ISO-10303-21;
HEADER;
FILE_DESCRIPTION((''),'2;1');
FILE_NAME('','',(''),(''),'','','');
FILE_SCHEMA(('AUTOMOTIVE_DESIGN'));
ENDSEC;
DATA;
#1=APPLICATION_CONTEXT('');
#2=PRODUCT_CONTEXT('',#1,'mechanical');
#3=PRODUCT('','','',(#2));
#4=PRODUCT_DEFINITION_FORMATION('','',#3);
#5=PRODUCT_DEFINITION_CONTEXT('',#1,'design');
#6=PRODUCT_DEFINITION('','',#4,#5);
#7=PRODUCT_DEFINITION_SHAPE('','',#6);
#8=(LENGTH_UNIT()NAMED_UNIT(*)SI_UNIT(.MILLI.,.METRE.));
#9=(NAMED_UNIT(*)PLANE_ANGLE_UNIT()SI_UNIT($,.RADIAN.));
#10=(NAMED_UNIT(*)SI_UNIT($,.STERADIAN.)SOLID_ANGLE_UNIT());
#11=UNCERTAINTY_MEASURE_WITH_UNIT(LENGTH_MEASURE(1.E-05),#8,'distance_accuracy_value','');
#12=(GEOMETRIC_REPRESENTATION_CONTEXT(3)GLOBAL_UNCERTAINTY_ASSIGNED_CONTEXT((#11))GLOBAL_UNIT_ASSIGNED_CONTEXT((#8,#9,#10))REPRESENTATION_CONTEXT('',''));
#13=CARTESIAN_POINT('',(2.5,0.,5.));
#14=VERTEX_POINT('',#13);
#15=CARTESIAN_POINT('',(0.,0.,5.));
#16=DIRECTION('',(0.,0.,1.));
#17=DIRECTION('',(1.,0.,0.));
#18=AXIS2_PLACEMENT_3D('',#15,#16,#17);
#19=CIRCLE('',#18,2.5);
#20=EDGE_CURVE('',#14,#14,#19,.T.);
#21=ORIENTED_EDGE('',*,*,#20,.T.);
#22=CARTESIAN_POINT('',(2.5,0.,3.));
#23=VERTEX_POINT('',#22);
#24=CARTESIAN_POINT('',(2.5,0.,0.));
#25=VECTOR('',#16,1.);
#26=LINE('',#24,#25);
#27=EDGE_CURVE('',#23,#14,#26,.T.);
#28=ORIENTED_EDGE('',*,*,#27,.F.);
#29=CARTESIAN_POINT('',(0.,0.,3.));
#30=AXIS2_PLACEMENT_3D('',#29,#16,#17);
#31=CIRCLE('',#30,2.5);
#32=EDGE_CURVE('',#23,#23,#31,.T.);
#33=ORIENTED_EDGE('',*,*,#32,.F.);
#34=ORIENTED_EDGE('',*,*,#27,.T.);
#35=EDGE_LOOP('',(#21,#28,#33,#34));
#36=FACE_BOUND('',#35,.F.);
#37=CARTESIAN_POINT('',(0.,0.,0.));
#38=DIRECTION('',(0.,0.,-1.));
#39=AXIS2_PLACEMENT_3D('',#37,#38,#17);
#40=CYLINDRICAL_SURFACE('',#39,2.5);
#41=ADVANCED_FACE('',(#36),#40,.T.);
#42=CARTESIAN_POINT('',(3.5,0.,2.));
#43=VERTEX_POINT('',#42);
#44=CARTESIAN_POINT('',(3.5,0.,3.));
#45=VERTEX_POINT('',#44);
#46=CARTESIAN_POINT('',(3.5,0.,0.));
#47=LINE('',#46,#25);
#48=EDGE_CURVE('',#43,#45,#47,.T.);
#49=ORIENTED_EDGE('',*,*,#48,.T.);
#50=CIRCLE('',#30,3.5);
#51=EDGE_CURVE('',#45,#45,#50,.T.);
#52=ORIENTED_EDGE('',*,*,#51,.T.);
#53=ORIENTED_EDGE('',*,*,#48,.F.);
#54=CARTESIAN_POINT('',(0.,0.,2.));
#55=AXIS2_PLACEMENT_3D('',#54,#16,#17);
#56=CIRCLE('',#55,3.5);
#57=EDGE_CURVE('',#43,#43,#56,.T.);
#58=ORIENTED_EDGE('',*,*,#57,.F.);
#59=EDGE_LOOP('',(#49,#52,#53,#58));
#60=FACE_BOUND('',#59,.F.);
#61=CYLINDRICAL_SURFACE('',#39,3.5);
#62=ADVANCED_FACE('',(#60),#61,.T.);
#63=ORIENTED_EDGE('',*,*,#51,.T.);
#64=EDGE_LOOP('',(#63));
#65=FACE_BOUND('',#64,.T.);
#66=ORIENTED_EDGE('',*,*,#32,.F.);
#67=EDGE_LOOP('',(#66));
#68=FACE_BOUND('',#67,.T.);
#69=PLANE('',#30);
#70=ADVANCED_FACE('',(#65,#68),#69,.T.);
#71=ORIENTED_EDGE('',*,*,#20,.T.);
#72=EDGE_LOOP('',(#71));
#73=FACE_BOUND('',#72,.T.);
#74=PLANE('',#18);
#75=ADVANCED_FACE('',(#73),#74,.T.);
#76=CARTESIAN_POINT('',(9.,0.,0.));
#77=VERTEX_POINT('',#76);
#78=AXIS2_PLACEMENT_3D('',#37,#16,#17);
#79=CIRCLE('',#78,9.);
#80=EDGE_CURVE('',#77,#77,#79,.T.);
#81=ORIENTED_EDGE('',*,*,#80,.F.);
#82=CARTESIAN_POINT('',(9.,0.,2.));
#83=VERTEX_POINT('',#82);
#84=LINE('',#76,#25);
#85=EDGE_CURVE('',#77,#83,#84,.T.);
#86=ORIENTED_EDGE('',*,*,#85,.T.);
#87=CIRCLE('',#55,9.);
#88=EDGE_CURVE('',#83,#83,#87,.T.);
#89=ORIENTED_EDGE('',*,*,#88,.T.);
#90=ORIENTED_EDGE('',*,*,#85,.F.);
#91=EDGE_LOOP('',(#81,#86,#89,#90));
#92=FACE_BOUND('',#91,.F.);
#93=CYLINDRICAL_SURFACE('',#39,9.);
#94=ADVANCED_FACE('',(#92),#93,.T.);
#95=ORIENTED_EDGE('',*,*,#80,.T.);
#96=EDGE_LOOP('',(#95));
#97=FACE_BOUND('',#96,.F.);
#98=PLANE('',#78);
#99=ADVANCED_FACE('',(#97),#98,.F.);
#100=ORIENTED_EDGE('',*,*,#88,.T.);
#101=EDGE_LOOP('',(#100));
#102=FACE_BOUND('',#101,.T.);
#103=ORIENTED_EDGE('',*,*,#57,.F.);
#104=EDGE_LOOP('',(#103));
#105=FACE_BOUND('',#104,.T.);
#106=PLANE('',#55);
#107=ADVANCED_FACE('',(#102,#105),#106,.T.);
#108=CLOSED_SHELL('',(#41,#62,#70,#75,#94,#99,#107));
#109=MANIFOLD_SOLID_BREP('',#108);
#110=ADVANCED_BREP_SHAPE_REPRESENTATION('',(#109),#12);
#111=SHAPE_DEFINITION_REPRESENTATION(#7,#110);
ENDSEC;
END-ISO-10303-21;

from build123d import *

# Parameters (mm, degrees)
F1_R     = 9
F1_R_2   = 3.5
F2_DEPTH = 2
F0_R     = 3.5
F0_R_2   = 2.5
F4_DEPTH = 3
F5_R     = 2.5
F3_R     = 2.5
F6_DEPTH = 5


with BuildPart() as f2:
    # F1 (on face) → F2 (new body)
    with BuildSketch(Plane.XY):
        Circle(F1_R)
        Circle(F1_R_2, mode=Mode.SUBTRACT)
    extrude(amount=F2_DEPTH)

    # F0 (on Top) → F4 (join)
    with BuildSketch(Plane.XY):
        Circle(F0_R)
        Circle(F0_R_2, mode=Mode.SUBTRACT)
    extrude(amount=F4_DEPTH)

    # F5 (on Top) + F3 (on face) → F6 (join)
    with BuildSketch(Plane.XY):
        Circle(F5_R)
    with BuildSketch(Plane.XY):
        Circle(F3_R)
    extrude(amount=F6_DEPTH)


solid = f2.part
